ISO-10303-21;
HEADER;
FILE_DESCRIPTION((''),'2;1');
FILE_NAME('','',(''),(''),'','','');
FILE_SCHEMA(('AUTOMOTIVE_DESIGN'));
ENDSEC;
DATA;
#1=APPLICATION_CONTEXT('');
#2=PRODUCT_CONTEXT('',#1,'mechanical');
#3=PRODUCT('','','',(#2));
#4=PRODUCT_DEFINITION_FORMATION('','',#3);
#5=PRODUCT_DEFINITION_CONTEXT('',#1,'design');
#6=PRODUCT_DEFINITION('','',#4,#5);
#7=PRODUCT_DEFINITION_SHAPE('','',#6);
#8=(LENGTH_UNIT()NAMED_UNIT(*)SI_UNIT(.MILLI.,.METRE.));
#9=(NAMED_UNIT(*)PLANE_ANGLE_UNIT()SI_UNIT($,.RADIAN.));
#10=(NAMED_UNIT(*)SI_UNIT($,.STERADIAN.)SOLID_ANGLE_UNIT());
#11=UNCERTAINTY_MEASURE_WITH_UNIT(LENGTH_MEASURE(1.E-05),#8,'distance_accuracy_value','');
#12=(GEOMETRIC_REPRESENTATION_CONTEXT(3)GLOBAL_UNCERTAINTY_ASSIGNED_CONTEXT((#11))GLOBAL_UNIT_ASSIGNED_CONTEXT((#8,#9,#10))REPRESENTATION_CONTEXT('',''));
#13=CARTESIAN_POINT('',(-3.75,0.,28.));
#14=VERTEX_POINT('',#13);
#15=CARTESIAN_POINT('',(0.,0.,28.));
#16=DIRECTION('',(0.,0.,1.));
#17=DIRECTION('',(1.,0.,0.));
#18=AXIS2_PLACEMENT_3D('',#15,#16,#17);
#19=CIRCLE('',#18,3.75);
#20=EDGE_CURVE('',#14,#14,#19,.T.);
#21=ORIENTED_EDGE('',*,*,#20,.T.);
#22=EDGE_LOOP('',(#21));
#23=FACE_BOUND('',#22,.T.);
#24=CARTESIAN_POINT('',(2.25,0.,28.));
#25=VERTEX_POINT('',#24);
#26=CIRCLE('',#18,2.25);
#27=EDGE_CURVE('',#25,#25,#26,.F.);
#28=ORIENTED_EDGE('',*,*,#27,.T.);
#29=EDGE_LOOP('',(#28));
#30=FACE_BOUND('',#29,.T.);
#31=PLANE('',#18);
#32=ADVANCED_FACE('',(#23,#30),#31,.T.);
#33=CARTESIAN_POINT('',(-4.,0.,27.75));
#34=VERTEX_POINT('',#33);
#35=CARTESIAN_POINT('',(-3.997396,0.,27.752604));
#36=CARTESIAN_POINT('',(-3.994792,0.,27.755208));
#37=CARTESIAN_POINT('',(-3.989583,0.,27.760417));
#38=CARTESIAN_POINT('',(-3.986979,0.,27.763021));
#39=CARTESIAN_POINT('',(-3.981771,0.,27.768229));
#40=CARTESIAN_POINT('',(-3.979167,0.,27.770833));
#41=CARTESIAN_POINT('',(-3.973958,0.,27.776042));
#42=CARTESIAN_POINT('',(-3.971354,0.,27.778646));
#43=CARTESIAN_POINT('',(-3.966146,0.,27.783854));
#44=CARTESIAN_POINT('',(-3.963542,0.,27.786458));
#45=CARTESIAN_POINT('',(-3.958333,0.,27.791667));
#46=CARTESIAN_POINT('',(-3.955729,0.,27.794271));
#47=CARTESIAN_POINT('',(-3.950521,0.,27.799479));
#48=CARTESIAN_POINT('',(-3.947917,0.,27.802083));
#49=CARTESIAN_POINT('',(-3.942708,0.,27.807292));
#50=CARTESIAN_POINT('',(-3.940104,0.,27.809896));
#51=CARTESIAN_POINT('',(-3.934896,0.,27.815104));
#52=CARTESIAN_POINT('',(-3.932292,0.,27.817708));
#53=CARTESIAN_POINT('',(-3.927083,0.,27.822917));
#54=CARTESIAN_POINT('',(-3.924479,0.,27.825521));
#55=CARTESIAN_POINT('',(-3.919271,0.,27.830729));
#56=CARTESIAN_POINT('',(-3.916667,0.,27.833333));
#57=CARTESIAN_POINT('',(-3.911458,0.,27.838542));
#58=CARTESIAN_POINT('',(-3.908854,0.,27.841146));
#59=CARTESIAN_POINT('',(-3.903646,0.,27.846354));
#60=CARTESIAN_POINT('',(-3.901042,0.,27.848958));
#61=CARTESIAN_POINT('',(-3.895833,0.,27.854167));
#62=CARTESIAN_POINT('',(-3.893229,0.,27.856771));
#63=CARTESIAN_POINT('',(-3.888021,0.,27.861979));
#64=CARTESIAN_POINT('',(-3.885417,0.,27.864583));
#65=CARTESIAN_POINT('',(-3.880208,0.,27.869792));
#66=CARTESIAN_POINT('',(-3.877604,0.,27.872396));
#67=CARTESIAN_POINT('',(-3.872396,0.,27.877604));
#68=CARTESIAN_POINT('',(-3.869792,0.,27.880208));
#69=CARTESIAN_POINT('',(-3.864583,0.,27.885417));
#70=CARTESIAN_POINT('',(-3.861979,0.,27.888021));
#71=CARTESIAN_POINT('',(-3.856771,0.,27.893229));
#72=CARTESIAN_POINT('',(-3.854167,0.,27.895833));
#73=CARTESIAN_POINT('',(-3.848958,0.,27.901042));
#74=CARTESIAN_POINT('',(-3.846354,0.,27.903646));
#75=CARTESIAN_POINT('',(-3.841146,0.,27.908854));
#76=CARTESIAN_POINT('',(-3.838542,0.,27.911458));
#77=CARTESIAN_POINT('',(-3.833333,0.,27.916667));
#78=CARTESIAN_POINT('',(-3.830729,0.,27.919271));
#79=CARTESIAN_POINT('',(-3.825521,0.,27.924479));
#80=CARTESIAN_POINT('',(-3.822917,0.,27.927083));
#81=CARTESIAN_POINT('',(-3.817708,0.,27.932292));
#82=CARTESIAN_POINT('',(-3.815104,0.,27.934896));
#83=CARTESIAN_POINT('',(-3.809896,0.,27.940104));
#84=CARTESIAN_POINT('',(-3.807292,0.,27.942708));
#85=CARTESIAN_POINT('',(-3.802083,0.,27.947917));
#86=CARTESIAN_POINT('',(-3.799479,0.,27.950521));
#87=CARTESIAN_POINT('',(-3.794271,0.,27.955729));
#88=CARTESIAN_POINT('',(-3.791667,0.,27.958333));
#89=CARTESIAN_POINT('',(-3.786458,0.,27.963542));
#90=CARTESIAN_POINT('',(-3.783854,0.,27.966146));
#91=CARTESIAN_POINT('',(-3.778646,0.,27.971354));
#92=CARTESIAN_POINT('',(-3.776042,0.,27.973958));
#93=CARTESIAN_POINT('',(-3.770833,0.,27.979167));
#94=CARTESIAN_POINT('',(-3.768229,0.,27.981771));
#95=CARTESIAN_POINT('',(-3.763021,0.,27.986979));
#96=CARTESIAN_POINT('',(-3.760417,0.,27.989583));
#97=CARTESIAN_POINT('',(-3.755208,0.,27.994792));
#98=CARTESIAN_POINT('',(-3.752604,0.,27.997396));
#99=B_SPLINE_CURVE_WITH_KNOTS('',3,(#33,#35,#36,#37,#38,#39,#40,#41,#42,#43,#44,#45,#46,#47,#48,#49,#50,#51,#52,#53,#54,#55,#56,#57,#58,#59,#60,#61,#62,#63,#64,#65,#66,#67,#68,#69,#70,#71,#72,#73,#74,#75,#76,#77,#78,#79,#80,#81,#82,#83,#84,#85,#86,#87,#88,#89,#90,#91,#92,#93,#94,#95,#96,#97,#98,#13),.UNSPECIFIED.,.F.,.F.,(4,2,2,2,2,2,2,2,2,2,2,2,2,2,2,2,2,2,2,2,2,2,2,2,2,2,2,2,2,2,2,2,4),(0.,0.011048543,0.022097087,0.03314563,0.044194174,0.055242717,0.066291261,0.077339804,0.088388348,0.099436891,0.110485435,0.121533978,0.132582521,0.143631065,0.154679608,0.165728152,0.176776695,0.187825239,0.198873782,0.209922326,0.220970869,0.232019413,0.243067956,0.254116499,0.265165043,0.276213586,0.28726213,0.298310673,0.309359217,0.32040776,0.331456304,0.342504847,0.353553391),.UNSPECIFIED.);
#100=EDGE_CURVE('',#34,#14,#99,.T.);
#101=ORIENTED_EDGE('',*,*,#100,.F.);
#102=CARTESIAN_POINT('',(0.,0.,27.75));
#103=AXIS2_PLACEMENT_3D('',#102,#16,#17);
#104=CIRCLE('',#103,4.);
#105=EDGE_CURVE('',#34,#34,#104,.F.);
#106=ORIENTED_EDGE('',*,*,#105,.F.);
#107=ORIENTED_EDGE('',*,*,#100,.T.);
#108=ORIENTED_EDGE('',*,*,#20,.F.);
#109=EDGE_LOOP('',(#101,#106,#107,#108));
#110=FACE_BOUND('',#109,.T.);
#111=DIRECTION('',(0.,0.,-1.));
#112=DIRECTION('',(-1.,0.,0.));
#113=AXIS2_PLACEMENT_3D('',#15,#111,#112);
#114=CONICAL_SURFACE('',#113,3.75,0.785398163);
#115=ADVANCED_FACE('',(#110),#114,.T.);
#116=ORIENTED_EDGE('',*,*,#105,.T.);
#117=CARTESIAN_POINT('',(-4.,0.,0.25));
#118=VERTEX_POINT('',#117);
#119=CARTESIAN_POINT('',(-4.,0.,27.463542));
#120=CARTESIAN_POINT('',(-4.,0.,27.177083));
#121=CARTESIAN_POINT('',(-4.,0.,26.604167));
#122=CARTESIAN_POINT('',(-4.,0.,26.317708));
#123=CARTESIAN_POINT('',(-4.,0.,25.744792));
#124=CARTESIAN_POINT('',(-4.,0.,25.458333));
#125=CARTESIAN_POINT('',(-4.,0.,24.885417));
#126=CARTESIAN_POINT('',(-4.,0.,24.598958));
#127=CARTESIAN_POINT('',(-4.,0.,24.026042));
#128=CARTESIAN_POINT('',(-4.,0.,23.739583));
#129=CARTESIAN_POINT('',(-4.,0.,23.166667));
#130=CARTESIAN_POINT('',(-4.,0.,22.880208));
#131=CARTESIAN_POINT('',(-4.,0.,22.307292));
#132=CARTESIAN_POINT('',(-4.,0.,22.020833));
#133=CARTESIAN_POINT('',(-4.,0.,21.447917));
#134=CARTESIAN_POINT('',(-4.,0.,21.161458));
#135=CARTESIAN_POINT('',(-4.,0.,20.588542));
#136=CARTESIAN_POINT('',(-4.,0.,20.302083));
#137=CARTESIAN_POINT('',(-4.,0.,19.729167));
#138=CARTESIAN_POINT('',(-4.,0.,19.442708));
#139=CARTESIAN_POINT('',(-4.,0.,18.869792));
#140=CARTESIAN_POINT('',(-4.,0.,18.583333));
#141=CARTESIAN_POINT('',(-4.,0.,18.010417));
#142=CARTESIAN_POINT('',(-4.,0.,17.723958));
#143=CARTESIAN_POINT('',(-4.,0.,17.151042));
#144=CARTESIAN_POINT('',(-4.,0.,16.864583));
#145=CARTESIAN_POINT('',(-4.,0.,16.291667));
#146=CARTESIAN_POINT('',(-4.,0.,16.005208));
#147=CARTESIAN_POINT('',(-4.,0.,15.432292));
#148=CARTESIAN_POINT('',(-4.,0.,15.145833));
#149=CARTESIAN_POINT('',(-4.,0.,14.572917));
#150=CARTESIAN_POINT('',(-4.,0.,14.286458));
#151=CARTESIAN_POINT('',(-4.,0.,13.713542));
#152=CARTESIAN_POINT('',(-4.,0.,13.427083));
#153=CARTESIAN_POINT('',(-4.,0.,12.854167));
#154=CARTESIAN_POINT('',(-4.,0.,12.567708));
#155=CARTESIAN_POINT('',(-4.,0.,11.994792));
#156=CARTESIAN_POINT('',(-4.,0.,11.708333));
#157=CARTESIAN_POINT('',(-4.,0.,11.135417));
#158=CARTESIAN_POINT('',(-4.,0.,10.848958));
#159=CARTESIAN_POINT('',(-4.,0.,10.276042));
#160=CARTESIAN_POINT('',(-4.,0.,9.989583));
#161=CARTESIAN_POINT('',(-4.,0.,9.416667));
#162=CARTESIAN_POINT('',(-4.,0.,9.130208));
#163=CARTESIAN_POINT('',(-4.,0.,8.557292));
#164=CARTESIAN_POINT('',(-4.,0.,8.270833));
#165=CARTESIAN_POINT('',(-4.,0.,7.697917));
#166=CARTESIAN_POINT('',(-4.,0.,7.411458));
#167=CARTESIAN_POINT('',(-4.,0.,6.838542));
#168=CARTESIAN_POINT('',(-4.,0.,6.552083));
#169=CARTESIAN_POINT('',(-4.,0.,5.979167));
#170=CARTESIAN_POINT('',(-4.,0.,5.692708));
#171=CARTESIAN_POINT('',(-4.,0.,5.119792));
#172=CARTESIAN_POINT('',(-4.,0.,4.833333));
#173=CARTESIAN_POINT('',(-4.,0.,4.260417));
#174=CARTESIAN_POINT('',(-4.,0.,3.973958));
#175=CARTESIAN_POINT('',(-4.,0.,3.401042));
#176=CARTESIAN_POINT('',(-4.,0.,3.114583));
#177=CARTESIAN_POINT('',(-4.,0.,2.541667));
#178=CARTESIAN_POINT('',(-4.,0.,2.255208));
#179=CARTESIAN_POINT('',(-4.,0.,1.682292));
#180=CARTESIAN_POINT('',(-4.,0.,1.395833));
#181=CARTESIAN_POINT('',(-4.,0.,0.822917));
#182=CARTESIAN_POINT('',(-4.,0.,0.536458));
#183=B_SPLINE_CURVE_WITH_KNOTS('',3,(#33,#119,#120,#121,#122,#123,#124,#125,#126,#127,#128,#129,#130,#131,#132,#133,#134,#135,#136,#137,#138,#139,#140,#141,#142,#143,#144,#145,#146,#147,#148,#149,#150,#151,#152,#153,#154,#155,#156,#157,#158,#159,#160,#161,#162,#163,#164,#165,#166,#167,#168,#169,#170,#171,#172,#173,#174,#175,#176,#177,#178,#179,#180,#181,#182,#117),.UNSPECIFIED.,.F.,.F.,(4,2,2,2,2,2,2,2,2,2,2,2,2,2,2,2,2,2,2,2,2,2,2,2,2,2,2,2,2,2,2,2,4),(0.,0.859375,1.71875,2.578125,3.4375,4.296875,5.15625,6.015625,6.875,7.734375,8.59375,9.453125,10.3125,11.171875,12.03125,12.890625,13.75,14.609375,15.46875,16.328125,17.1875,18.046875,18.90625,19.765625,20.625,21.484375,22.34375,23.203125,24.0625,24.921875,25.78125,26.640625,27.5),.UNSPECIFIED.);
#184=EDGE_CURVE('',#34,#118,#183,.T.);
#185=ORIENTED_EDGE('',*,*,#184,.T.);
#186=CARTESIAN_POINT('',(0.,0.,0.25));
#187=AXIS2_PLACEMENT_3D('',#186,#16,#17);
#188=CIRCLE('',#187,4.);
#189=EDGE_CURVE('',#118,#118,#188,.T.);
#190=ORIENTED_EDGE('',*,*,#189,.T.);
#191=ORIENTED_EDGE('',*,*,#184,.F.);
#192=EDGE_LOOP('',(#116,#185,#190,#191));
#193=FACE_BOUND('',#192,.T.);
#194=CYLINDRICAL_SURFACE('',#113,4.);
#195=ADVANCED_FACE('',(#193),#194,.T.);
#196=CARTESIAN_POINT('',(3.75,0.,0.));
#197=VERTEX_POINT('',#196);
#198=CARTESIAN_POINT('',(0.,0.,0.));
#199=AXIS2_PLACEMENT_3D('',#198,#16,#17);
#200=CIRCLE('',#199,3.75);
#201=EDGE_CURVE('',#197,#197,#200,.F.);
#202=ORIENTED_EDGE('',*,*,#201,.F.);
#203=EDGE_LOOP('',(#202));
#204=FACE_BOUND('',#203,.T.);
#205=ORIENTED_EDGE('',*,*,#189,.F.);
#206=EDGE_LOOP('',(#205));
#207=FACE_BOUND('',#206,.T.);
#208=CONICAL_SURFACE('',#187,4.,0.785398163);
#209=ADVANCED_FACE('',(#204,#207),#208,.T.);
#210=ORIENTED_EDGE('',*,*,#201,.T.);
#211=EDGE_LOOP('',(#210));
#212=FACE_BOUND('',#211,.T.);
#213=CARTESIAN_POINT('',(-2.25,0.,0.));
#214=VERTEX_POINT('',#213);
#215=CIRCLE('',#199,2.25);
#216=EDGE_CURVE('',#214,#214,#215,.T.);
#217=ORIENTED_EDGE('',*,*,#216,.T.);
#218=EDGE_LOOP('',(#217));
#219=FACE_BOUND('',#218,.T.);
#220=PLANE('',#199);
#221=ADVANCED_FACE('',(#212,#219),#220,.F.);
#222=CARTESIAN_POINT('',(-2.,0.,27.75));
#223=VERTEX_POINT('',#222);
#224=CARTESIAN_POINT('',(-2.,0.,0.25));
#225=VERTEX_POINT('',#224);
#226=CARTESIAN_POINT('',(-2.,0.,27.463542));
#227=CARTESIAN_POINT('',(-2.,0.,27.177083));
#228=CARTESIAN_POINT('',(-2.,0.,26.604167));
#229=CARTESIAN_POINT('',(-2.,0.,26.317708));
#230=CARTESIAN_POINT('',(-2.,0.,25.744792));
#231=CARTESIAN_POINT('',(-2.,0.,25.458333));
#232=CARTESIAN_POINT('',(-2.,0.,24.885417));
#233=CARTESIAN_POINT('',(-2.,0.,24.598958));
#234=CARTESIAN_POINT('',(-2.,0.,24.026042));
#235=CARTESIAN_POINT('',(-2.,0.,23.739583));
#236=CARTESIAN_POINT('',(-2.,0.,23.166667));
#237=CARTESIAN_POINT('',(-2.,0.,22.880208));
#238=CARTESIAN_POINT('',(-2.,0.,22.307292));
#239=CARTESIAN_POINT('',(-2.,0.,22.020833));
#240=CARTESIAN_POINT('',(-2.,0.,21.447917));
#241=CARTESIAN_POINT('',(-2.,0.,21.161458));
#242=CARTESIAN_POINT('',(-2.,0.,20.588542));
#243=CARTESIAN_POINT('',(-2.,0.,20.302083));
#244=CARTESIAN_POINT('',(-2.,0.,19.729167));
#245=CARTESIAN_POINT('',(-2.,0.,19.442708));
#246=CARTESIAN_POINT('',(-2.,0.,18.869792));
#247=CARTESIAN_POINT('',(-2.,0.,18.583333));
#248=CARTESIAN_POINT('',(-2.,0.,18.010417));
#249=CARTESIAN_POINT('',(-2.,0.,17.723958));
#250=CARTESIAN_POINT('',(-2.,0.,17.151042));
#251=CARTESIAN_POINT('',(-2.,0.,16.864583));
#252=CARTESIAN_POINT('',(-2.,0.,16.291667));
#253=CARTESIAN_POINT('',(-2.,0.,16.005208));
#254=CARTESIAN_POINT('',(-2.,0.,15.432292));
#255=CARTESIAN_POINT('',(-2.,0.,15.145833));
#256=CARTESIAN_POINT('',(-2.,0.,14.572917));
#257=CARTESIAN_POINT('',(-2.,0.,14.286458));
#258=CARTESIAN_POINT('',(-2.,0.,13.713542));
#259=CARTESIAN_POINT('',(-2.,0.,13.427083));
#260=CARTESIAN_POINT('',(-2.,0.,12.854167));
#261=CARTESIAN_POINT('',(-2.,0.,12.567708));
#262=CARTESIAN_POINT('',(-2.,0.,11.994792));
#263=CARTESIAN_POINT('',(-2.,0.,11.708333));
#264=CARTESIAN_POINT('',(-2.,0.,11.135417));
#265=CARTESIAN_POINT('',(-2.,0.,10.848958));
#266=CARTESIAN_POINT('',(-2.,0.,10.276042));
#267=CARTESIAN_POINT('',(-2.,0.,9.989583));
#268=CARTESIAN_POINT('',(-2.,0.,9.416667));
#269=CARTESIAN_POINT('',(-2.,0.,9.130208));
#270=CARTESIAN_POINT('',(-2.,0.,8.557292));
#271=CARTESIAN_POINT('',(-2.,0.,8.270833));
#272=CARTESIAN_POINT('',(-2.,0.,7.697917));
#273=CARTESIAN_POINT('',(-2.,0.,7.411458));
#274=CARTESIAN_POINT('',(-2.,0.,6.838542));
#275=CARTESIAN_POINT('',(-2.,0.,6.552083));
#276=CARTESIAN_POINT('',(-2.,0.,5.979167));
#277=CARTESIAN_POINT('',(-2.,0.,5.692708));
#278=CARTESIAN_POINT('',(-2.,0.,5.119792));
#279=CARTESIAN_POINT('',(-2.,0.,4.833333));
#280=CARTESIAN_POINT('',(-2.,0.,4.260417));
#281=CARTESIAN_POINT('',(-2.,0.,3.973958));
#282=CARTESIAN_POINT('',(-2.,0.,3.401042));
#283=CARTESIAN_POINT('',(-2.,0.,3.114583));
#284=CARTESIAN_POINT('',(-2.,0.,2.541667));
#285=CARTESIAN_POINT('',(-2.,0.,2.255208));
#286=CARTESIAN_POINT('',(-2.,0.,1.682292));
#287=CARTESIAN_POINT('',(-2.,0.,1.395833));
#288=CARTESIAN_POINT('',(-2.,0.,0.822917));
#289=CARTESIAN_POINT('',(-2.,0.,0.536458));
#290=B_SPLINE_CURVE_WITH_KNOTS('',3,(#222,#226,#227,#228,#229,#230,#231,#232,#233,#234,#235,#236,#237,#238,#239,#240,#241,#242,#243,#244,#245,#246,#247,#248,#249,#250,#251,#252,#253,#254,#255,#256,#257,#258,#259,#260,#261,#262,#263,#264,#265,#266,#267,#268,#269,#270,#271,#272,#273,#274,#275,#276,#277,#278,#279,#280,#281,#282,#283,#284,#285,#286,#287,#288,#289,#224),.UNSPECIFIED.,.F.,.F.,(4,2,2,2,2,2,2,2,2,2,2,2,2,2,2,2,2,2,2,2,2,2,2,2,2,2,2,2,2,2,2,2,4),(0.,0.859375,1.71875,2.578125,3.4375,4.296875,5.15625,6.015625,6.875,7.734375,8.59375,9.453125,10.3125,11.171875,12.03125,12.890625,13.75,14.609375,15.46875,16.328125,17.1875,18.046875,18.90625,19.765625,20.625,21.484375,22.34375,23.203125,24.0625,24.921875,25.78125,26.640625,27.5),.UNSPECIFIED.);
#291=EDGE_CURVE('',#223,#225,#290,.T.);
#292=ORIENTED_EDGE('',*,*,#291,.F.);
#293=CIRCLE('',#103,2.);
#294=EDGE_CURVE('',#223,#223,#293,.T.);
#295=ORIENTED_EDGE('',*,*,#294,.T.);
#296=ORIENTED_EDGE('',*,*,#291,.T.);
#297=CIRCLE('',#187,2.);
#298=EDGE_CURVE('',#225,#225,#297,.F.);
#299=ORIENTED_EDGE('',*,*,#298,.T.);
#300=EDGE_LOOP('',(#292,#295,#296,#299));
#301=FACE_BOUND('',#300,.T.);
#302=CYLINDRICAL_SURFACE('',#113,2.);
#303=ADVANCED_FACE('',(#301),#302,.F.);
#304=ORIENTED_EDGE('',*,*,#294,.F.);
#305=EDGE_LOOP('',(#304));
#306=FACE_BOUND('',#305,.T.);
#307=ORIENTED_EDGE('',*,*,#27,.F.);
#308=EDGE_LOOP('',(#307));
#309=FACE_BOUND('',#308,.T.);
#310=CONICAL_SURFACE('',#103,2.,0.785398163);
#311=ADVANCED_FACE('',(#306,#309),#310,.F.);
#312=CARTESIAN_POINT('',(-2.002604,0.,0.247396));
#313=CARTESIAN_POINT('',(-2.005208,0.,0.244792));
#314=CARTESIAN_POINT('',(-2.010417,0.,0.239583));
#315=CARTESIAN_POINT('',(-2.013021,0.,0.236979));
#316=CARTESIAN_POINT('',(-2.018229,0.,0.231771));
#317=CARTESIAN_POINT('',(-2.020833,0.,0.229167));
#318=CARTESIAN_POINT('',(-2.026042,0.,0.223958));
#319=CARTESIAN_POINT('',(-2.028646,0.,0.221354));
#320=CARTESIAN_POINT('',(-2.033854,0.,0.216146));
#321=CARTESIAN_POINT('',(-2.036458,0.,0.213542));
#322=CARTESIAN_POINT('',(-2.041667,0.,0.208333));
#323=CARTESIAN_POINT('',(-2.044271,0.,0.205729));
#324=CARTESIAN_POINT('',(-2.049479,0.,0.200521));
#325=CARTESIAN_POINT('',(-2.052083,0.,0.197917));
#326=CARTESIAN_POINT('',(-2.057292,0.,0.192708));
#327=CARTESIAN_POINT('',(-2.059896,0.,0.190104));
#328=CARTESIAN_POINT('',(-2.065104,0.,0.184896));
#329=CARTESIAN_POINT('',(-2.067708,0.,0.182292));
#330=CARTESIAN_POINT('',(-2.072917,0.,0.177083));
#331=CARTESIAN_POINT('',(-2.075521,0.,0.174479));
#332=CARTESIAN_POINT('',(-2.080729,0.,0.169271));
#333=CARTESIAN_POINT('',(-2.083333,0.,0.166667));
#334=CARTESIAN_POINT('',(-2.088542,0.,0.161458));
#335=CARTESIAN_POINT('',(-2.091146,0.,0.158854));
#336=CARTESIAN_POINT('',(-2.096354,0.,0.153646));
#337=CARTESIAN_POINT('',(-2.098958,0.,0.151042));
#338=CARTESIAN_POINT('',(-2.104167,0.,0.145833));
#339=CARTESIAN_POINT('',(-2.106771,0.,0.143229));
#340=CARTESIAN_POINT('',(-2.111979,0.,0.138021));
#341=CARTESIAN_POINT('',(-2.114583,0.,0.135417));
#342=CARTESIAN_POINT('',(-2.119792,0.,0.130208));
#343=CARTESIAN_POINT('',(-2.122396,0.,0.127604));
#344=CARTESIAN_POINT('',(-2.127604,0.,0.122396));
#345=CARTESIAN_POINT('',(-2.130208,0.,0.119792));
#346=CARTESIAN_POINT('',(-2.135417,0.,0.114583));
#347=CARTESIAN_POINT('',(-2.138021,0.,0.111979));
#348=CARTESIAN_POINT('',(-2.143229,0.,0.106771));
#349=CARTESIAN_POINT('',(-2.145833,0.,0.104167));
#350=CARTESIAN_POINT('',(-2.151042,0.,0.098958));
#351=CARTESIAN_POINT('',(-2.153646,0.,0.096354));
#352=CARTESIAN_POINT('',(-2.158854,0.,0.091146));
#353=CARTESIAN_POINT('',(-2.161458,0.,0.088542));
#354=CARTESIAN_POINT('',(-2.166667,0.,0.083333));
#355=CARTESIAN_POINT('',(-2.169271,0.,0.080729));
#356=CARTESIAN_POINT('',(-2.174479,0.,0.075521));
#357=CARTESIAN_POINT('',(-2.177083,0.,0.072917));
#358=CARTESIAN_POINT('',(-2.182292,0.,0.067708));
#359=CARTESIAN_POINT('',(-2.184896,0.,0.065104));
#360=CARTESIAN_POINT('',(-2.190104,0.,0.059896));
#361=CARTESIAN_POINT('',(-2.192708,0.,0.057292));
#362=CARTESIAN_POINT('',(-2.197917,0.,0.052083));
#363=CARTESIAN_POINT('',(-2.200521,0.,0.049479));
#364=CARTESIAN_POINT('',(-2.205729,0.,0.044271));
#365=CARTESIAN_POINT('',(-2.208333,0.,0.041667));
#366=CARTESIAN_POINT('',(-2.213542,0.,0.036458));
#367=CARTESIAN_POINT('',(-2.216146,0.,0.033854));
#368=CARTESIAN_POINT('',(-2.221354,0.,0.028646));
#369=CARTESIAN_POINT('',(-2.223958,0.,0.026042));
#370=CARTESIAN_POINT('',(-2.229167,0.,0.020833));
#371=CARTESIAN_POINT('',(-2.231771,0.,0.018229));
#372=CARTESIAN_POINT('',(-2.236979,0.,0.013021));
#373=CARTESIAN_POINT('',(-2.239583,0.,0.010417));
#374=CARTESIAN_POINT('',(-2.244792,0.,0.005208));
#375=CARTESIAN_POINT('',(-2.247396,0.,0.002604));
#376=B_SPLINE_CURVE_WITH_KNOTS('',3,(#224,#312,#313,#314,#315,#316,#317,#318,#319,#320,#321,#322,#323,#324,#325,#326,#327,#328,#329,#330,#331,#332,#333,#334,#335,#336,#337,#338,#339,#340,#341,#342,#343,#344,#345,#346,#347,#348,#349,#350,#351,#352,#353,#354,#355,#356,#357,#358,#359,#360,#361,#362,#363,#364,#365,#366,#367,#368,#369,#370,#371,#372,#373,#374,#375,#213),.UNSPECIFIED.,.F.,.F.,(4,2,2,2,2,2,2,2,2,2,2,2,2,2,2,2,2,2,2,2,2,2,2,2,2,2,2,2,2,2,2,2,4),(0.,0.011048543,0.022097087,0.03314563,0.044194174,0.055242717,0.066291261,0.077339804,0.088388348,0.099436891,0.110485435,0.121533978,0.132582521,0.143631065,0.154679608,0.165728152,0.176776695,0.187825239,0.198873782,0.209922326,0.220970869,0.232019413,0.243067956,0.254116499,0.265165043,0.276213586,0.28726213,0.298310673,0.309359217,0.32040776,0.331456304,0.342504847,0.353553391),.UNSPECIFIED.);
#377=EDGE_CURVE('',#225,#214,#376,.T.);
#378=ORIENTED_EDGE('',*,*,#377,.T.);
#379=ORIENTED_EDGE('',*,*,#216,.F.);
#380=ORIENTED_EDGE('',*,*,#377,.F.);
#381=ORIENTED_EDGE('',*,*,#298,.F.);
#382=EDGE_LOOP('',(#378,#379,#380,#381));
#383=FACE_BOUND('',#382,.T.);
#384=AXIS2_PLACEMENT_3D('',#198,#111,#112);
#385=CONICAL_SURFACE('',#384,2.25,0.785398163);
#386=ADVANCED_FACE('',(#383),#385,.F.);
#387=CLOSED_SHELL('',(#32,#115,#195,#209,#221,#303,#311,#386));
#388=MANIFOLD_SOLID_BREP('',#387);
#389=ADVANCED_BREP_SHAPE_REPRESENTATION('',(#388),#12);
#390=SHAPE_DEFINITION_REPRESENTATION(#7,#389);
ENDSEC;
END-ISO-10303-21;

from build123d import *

# Parameters (mm, degrees)
ESQUISSE1_R          = 4
ESQUISSE1_R_2        = 2
BASE_EXTRUSION_DEPTH = 28
CHANFREIN1_SIZE      = 0.25


with BuildPart() as part:
    # Esquisse1 → Base-Extrusion (new body)
    with BuildSketch(Plane.XY):
        with Locations(Location((0, 0, 0), (0, 0, 180))):
            Circle(ESQUISSE1_R)
        with Locations(Location((0, 0, 0), (0, 0, 180))):
            Circle(ESQUISSE1_R_2, mode=Mode.SUBTRACT)
    extrude(amount=BASE_EXTRUSION_DEPTH)

    # Chanfrein1
    chanfrein1_edges = [part.edges().sort_by_distance(p)[0] for p in [
        (4, 0, 0),
        (4, 0, 28),
        (2, 0, 0),
        (2, 0, 28),
    ]]
    chamfer(chanfrein1_edges, length=CHANFREIN1_SIZE)


solid = part.part
